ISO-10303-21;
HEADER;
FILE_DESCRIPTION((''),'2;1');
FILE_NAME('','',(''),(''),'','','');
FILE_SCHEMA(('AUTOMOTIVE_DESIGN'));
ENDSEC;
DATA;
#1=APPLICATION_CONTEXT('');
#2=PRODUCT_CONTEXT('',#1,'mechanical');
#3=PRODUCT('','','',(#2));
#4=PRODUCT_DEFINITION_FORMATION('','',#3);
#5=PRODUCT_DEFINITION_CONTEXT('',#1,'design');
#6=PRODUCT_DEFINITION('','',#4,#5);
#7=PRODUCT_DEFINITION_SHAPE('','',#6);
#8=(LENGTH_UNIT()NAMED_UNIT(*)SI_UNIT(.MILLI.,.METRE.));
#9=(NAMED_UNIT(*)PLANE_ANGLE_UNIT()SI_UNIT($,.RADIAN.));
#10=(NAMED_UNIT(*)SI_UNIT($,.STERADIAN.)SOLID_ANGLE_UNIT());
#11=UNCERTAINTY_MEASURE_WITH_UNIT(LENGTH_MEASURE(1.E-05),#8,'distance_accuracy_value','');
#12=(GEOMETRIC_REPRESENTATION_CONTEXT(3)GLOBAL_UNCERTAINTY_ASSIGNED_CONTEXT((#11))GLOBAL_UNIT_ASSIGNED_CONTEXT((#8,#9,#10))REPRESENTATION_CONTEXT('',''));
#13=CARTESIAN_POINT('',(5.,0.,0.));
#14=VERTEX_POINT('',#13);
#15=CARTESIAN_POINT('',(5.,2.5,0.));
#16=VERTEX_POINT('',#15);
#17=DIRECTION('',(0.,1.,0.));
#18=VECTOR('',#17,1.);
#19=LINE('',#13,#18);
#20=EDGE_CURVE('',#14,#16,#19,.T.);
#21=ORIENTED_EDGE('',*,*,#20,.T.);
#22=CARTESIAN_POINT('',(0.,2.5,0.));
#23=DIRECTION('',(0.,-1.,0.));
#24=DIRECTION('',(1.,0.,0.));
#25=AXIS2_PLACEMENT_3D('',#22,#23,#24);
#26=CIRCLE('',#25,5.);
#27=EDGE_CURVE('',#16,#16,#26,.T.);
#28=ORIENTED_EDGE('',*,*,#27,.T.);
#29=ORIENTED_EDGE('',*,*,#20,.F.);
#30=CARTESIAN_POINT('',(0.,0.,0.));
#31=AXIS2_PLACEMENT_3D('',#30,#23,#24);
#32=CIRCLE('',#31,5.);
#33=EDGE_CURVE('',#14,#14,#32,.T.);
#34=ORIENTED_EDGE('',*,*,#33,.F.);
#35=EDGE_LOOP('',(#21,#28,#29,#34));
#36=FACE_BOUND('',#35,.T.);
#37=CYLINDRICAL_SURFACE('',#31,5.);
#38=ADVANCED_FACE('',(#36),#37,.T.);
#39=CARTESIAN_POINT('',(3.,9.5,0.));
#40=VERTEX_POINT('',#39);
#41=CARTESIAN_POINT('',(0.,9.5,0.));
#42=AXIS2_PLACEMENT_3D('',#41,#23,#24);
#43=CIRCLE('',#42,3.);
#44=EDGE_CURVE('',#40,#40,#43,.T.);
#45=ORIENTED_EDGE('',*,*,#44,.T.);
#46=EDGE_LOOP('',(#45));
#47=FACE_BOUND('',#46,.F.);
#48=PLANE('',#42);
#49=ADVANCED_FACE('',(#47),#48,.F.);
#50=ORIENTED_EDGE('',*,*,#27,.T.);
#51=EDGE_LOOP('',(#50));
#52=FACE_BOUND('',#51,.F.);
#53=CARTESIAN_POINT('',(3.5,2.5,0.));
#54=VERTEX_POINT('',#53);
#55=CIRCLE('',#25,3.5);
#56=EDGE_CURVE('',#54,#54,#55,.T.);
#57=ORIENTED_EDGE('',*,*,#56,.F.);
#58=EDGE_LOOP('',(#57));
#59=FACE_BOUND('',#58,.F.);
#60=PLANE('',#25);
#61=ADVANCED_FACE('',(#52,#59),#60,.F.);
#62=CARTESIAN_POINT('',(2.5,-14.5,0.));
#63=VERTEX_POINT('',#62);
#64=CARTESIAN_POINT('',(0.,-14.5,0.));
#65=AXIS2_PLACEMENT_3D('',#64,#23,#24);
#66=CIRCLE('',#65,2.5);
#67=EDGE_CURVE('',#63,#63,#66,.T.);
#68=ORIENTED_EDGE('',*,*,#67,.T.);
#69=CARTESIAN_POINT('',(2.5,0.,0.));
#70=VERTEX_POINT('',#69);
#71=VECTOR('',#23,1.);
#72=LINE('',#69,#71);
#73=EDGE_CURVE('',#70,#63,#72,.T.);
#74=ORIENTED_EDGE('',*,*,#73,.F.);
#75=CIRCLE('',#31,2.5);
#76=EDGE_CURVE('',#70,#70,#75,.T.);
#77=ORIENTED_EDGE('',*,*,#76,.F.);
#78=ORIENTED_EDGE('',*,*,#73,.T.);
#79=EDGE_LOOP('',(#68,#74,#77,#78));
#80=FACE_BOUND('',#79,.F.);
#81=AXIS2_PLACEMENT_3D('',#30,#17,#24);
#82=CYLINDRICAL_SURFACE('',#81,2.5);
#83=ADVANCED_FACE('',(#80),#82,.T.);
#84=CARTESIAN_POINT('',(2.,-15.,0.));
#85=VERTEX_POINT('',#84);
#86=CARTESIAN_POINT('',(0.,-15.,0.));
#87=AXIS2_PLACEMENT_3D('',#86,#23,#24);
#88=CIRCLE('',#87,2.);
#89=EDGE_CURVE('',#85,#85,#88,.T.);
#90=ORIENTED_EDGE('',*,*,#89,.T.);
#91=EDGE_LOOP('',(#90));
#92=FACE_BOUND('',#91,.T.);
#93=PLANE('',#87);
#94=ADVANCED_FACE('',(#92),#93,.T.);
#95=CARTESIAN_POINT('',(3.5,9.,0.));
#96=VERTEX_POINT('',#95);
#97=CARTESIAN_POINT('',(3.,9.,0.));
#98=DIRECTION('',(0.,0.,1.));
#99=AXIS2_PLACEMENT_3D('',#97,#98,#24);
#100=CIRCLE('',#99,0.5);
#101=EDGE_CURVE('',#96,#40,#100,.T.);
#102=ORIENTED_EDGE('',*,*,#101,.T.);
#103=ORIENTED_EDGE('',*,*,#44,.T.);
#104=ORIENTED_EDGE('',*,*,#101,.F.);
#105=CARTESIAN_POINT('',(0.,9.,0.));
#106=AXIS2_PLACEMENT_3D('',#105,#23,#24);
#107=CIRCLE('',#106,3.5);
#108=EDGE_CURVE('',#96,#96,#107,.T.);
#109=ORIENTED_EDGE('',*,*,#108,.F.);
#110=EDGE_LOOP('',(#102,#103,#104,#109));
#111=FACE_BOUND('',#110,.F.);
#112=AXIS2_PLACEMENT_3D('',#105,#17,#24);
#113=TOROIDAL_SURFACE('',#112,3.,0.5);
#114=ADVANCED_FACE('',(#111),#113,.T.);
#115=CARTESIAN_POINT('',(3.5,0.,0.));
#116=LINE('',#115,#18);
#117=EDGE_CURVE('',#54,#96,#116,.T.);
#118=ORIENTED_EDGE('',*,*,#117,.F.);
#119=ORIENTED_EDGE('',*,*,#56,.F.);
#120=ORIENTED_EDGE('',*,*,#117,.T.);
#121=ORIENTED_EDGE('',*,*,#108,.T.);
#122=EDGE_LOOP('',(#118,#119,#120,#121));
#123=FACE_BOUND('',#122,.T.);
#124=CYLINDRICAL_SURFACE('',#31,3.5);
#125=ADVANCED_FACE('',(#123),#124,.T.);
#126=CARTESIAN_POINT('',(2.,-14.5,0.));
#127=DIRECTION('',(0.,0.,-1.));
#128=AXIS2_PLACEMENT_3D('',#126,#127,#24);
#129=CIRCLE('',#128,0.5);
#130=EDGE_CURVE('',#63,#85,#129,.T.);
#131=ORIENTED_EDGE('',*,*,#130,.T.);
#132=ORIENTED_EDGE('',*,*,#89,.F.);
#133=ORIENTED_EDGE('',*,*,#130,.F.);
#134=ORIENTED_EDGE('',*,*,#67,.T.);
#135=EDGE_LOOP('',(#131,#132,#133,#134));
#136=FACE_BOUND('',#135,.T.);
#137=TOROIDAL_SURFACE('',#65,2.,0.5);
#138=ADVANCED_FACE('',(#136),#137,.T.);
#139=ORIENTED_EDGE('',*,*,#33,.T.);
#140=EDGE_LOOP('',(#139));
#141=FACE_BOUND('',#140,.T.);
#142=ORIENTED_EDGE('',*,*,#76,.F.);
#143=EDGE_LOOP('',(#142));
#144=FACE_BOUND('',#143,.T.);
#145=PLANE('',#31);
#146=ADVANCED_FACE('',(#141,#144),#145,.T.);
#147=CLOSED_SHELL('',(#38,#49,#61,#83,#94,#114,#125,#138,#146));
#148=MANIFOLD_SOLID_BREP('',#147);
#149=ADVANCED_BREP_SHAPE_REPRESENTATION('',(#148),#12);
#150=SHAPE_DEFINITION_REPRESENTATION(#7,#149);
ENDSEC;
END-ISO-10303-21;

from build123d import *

# Parameters (mm, degrees)
F0_R     = 2.5
F1_DEPTH = 15
F0_R_2   = 5
F0_R_3   = 3.5
F2_DEPTH = 2.5
F3_DEPTH = 9.5
F4_R     = 0.5
F5_R     = 0.5


with BuildPart() as f1:
    # F0 (on Front) → F1 (new body)
    with BuildSketch(Plane.XZ):
        Circle(F0_R)
    extrude(amount=F1_DEPTH)

    # F0 (on Front) → F2 (join)
    with BuildSketch(Plane.XZ):
        Circle(F0_R_2)
        Circle(F0_R_3, mode=Mode.SUBTRACT)
        Circle(F0_R_3)
        Circle(F0_R, mode=Mode.SUBTRACT)
        Circle(F0_R)
    extrude(amount=-F2_DEPTH)

    # F0 (on Front) → F3 (join)
    with BuildSketch(Plane.XZ):
        Circle(F0_R_3)
        Circle(F0_R, mode=Mode.SUBTRACT)
        Circle(F0_R)
    extrude(amount=-F3_DEPTH)

    # F4
    f4_edges = [f1.edges().sort_by_distance(p)[0] for p in [
        (-3.5, 9.5, 0),
    ]]
    fillet(f4_edges, radius=F4_R)

    # F5
    f5_edges = [f1.edges().sort_by_distance(p)[0] for p in [
        (-2.5, -15, 0),
    ]]
    fillet(f5_edges, radius=F5_R)


solid = f1.part
